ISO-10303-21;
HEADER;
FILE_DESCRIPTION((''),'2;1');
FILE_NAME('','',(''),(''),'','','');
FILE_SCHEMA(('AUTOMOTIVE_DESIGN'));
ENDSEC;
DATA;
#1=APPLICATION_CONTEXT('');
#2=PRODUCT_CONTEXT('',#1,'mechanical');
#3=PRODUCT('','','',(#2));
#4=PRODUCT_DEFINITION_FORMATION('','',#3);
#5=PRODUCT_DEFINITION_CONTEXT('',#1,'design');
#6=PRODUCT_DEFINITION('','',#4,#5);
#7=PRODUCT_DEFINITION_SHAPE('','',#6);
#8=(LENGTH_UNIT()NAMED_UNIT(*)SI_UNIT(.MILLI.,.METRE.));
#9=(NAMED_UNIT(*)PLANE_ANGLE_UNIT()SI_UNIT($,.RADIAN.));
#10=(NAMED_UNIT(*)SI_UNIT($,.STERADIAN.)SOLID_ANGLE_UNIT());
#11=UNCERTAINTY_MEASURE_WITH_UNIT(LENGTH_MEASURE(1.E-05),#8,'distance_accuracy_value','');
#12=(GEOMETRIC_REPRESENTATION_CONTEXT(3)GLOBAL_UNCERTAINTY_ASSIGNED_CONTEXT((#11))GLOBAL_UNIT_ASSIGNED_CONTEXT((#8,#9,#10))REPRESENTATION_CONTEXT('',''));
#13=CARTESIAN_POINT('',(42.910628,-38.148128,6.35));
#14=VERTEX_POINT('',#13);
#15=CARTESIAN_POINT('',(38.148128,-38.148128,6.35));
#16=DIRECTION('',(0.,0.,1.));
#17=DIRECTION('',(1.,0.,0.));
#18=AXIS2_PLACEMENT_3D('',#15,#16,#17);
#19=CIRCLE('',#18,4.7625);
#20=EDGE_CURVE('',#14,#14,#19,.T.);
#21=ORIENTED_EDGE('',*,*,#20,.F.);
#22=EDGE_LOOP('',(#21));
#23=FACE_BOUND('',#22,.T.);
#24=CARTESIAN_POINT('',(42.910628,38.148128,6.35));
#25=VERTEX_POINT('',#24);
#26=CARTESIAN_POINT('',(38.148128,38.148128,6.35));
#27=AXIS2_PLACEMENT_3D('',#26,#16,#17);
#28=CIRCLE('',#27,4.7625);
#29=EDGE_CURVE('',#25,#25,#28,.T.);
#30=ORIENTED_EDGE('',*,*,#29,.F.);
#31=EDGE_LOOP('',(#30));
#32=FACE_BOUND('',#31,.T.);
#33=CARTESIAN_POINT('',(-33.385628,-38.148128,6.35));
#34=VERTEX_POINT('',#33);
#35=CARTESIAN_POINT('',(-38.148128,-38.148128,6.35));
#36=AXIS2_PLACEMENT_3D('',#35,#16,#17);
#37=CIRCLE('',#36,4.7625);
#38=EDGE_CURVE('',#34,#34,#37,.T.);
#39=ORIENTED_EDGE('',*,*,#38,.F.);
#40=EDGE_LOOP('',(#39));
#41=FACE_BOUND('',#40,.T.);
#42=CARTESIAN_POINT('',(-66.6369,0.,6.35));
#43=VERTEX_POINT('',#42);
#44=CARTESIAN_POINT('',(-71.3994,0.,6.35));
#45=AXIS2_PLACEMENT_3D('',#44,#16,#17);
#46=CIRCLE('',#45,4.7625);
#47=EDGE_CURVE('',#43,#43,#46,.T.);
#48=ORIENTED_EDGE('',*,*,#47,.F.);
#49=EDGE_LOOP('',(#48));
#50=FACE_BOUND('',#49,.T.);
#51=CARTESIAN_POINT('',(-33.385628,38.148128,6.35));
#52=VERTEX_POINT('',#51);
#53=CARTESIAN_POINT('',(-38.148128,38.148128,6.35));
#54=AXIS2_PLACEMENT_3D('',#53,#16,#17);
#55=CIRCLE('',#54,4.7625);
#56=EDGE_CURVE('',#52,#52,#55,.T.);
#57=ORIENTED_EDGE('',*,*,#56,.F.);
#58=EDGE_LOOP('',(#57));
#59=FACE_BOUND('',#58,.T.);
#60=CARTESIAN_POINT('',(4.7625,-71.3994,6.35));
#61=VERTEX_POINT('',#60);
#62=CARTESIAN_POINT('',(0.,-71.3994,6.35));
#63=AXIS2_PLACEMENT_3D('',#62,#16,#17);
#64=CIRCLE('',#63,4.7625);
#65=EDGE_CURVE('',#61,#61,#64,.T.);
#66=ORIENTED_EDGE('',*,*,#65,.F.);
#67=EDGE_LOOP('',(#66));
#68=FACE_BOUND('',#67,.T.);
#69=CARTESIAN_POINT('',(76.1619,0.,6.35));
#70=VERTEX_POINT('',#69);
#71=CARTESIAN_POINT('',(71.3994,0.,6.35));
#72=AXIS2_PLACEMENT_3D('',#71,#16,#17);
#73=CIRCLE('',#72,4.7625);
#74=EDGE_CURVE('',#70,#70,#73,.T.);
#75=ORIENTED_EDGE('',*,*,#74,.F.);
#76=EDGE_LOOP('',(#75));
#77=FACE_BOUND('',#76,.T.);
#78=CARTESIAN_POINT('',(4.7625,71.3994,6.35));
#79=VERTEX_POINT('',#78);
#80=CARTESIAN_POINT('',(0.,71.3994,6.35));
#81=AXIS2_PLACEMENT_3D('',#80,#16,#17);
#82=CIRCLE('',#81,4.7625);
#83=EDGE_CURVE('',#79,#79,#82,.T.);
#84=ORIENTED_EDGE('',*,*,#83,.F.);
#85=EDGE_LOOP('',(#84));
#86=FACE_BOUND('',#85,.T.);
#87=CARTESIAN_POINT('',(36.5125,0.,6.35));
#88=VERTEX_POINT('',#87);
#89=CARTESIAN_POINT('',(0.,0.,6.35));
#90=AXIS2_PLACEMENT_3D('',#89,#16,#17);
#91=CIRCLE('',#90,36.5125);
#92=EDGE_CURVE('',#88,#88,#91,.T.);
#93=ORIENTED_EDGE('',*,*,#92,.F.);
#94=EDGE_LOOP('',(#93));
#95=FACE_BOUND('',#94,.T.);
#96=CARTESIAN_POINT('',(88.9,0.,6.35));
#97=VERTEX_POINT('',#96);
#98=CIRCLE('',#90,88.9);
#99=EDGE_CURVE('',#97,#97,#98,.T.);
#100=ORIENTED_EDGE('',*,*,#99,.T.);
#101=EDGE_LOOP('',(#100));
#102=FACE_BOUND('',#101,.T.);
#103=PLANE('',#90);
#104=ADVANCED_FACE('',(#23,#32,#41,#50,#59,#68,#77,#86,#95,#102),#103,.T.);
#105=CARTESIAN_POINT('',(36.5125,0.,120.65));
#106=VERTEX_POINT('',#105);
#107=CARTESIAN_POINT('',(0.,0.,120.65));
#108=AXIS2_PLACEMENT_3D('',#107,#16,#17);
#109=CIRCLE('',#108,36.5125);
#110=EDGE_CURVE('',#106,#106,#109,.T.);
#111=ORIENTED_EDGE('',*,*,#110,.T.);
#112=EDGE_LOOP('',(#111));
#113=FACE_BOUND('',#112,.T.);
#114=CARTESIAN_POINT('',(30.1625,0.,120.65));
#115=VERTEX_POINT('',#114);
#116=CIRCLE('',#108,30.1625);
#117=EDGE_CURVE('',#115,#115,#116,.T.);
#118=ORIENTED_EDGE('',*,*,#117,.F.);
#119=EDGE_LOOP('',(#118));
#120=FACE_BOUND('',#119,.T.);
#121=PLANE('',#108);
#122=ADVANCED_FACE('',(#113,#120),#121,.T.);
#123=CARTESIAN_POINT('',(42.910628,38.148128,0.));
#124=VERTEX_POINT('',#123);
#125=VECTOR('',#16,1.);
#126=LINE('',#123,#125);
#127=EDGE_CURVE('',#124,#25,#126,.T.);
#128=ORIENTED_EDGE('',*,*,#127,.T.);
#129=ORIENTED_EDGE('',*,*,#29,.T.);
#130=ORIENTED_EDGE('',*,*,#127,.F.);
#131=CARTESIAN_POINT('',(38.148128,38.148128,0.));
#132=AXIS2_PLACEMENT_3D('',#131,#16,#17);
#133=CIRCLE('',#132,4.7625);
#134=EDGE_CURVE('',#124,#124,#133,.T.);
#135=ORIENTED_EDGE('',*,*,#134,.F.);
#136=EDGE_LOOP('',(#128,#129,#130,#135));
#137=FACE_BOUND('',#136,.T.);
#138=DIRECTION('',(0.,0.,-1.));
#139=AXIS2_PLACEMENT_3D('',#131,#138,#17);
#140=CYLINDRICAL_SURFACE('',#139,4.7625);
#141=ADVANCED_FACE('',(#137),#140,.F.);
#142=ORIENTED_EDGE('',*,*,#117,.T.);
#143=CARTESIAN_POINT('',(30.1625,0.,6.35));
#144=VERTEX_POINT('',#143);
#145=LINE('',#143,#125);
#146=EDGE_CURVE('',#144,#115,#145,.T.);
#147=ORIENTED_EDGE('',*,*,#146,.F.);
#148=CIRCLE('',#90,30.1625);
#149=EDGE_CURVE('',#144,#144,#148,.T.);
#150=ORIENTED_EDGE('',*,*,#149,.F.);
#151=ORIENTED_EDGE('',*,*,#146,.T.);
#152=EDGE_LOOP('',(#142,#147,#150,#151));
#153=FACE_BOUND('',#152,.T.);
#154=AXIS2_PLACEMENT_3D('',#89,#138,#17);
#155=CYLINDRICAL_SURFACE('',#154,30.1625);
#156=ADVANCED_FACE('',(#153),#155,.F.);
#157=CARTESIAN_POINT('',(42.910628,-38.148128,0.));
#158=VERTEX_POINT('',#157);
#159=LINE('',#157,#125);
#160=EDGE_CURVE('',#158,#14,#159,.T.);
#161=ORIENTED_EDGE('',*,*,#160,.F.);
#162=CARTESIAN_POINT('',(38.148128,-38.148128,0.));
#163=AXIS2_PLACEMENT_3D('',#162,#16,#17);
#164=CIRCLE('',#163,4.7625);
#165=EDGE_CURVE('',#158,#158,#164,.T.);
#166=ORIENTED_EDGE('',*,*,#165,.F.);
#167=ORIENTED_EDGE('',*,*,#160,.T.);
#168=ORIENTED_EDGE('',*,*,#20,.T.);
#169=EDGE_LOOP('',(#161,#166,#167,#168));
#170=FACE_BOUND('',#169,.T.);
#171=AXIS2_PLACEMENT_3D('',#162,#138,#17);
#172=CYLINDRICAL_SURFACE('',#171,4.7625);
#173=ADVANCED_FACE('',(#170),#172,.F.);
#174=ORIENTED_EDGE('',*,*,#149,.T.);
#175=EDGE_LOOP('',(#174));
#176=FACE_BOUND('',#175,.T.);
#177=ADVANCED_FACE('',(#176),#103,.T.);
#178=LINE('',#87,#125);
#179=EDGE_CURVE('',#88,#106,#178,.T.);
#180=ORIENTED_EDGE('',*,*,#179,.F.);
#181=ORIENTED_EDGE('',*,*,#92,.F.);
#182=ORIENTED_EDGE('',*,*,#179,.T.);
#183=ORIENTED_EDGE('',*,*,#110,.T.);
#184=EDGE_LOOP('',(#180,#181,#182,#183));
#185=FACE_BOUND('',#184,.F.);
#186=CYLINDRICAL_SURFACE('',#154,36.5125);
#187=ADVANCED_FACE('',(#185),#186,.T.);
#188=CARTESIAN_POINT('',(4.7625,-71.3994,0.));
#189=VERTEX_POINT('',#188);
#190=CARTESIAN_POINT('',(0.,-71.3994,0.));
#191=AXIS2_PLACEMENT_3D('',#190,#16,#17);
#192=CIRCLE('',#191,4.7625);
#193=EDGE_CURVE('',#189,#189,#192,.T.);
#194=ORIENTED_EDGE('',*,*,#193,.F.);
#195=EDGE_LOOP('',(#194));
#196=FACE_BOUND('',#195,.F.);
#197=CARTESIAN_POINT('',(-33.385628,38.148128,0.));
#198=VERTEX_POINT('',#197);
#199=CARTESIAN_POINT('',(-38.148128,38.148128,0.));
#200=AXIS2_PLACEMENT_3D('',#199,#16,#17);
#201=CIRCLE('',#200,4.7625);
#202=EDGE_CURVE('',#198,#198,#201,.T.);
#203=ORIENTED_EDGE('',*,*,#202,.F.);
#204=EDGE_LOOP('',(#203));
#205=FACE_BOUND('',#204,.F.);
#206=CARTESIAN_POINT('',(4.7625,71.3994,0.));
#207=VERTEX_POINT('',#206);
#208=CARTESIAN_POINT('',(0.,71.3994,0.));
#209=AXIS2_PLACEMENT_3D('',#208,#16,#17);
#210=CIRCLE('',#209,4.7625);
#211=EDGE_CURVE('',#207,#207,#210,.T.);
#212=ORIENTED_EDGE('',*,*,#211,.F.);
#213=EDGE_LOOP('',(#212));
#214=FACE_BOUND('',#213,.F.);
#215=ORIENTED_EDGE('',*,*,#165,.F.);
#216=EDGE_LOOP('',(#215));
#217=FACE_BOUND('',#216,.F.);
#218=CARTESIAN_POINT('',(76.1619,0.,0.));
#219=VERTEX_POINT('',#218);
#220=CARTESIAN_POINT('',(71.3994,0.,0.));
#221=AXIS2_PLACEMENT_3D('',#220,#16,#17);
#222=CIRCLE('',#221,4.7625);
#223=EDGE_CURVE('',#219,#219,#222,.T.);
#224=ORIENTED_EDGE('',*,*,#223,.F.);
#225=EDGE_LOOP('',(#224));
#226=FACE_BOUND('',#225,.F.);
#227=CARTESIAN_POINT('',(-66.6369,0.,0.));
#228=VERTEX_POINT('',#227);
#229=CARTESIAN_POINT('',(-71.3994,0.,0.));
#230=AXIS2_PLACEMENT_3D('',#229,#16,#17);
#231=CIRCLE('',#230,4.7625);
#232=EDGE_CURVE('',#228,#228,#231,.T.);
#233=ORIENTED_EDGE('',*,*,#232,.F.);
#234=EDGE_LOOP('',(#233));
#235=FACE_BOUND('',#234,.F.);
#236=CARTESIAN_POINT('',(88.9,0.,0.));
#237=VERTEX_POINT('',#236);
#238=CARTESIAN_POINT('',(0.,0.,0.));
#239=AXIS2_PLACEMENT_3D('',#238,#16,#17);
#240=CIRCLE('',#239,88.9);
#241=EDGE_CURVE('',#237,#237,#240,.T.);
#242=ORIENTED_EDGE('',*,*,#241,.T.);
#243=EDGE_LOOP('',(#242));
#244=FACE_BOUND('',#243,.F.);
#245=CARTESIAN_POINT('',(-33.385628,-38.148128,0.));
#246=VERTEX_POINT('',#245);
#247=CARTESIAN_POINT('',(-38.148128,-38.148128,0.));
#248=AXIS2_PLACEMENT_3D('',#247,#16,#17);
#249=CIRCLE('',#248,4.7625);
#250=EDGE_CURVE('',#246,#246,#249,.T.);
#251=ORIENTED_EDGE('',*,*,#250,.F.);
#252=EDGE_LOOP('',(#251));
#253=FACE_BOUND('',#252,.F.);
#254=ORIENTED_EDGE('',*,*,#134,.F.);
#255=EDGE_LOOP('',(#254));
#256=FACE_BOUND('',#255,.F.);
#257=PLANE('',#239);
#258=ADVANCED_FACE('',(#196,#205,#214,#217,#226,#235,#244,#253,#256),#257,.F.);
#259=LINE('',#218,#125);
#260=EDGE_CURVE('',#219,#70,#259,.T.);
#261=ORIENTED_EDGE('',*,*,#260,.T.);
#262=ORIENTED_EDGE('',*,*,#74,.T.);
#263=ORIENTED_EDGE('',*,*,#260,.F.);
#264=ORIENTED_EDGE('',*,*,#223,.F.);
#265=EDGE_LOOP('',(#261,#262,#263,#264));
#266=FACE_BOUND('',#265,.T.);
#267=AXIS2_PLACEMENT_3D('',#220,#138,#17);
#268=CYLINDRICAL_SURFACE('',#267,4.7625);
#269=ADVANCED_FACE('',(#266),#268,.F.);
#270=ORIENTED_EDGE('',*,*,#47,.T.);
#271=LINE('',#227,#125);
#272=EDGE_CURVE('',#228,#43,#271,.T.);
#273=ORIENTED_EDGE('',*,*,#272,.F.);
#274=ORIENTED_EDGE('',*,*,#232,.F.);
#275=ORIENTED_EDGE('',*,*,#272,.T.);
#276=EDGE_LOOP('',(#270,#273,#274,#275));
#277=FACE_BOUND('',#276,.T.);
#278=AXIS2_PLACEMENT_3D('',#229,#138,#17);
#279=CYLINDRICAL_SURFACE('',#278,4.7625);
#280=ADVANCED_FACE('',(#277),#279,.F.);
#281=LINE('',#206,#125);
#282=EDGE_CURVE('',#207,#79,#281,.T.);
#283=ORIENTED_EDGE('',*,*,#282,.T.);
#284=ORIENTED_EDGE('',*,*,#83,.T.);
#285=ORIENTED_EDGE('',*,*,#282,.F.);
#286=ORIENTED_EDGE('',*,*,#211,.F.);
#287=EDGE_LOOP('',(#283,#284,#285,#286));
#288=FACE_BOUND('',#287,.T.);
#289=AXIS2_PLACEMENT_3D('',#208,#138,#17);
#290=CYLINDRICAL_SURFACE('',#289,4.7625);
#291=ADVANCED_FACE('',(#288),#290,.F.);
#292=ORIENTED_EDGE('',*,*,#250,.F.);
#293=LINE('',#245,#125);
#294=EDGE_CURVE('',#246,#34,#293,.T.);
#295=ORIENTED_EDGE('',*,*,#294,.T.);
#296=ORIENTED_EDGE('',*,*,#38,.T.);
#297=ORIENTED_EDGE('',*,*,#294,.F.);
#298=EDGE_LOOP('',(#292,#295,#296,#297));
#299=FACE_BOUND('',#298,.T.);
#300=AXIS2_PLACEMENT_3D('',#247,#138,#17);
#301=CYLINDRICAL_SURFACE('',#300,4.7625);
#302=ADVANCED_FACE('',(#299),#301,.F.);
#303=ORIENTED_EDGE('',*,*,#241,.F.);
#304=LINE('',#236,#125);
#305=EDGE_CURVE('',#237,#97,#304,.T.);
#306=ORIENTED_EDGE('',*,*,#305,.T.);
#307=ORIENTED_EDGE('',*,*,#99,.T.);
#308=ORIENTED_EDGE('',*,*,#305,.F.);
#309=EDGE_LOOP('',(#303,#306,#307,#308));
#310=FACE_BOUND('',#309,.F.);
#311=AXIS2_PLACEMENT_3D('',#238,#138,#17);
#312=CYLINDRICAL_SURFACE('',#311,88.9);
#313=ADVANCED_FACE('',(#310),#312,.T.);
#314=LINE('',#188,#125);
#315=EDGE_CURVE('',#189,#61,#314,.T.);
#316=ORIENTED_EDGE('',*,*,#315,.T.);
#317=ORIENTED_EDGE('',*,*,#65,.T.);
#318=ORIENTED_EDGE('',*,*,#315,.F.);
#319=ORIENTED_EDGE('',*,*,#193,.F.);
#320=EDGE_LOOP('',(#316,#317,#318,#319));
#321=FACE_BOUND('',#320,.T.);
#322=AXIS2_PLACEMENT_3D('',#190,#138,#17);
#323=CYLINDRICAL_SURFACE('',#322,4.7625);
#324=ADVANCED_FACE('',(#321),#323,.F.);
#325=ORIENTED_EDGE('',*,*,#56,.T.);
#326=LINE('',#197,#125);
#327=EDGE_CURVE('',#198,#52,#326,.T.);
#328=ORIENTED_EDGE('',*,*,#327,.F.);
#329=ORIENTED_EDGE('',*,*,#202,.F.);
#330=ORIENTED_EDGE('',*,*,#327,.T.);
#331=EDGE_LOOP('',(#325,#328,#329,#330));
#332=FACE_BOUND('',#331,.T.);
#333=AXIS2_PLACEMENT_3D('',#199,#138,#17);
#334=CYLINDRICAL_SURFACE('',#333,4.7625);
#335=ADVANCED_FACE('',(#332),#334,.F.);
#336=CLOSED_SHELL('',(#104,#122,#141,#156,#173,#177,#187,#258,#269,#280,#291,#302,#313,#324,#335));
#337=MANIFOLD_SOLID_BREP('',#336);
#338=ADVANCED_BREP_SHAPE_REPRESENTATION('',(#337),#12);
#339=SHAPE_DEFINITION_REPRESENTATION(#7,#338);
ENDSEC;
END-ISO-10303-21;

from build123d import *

# Parameters (mm, degrees)
F0_R     = 88.9
F0_R_2   = 4.7625
F1_DEPTH = 6.35
F2_R     = 36.5125
F2_R_2   = 30.1625
F3_DEPTH = 114.3


with BuildPart() as f1:
    # F0 (on Top) → F1 (new body)
    with BuildSketch(Plane.XY):
        Circle(F0_R)
        with Locations((-38.148128, -38.148128)):
            Circle(F0_R_2, mode=Mode.SUBTRACT)
        with Locations((0, -71.3994)):
            Circle(F0_R_2, mode=Mode.SUBTRACT)
        with Locations((38.148128, -38.148128)):
            Circle(F0_R_2, mode=Mode.SUBTRACT)
        with Locations((-71.3994, 0)):
            Circle(F0_R_2, mode=Mode.SUBTRACT)
        with Locations((-38.148128, 38.148128)):
            Circle(F0_R_2, mode=Mode.SUBTRACT)
        with Locations((38.148128, 38.148128)):
            Circle(F0_R_2, mode=Mode.SUBTRACT)
        with Locations((71.3994, 0)):
            Circle(F0_R_2, mode=Mode.SUBTRACT)
        with Locations((0, 71.3994)):
            Circle(F0_R_2, mode=Mode.SUBTRACT)
    extrude(amount=F1_DEPTH)

    # F2 (on face) → F3 (join)
    with BuildSketch(Plane.XY.offset(6.35)):
        Circle(F2_R)
        Circle(F2_R_2, mode=Mode.SUBTRACT)
    extrude(amount=F3_DEPTH)


solid = f1.part
